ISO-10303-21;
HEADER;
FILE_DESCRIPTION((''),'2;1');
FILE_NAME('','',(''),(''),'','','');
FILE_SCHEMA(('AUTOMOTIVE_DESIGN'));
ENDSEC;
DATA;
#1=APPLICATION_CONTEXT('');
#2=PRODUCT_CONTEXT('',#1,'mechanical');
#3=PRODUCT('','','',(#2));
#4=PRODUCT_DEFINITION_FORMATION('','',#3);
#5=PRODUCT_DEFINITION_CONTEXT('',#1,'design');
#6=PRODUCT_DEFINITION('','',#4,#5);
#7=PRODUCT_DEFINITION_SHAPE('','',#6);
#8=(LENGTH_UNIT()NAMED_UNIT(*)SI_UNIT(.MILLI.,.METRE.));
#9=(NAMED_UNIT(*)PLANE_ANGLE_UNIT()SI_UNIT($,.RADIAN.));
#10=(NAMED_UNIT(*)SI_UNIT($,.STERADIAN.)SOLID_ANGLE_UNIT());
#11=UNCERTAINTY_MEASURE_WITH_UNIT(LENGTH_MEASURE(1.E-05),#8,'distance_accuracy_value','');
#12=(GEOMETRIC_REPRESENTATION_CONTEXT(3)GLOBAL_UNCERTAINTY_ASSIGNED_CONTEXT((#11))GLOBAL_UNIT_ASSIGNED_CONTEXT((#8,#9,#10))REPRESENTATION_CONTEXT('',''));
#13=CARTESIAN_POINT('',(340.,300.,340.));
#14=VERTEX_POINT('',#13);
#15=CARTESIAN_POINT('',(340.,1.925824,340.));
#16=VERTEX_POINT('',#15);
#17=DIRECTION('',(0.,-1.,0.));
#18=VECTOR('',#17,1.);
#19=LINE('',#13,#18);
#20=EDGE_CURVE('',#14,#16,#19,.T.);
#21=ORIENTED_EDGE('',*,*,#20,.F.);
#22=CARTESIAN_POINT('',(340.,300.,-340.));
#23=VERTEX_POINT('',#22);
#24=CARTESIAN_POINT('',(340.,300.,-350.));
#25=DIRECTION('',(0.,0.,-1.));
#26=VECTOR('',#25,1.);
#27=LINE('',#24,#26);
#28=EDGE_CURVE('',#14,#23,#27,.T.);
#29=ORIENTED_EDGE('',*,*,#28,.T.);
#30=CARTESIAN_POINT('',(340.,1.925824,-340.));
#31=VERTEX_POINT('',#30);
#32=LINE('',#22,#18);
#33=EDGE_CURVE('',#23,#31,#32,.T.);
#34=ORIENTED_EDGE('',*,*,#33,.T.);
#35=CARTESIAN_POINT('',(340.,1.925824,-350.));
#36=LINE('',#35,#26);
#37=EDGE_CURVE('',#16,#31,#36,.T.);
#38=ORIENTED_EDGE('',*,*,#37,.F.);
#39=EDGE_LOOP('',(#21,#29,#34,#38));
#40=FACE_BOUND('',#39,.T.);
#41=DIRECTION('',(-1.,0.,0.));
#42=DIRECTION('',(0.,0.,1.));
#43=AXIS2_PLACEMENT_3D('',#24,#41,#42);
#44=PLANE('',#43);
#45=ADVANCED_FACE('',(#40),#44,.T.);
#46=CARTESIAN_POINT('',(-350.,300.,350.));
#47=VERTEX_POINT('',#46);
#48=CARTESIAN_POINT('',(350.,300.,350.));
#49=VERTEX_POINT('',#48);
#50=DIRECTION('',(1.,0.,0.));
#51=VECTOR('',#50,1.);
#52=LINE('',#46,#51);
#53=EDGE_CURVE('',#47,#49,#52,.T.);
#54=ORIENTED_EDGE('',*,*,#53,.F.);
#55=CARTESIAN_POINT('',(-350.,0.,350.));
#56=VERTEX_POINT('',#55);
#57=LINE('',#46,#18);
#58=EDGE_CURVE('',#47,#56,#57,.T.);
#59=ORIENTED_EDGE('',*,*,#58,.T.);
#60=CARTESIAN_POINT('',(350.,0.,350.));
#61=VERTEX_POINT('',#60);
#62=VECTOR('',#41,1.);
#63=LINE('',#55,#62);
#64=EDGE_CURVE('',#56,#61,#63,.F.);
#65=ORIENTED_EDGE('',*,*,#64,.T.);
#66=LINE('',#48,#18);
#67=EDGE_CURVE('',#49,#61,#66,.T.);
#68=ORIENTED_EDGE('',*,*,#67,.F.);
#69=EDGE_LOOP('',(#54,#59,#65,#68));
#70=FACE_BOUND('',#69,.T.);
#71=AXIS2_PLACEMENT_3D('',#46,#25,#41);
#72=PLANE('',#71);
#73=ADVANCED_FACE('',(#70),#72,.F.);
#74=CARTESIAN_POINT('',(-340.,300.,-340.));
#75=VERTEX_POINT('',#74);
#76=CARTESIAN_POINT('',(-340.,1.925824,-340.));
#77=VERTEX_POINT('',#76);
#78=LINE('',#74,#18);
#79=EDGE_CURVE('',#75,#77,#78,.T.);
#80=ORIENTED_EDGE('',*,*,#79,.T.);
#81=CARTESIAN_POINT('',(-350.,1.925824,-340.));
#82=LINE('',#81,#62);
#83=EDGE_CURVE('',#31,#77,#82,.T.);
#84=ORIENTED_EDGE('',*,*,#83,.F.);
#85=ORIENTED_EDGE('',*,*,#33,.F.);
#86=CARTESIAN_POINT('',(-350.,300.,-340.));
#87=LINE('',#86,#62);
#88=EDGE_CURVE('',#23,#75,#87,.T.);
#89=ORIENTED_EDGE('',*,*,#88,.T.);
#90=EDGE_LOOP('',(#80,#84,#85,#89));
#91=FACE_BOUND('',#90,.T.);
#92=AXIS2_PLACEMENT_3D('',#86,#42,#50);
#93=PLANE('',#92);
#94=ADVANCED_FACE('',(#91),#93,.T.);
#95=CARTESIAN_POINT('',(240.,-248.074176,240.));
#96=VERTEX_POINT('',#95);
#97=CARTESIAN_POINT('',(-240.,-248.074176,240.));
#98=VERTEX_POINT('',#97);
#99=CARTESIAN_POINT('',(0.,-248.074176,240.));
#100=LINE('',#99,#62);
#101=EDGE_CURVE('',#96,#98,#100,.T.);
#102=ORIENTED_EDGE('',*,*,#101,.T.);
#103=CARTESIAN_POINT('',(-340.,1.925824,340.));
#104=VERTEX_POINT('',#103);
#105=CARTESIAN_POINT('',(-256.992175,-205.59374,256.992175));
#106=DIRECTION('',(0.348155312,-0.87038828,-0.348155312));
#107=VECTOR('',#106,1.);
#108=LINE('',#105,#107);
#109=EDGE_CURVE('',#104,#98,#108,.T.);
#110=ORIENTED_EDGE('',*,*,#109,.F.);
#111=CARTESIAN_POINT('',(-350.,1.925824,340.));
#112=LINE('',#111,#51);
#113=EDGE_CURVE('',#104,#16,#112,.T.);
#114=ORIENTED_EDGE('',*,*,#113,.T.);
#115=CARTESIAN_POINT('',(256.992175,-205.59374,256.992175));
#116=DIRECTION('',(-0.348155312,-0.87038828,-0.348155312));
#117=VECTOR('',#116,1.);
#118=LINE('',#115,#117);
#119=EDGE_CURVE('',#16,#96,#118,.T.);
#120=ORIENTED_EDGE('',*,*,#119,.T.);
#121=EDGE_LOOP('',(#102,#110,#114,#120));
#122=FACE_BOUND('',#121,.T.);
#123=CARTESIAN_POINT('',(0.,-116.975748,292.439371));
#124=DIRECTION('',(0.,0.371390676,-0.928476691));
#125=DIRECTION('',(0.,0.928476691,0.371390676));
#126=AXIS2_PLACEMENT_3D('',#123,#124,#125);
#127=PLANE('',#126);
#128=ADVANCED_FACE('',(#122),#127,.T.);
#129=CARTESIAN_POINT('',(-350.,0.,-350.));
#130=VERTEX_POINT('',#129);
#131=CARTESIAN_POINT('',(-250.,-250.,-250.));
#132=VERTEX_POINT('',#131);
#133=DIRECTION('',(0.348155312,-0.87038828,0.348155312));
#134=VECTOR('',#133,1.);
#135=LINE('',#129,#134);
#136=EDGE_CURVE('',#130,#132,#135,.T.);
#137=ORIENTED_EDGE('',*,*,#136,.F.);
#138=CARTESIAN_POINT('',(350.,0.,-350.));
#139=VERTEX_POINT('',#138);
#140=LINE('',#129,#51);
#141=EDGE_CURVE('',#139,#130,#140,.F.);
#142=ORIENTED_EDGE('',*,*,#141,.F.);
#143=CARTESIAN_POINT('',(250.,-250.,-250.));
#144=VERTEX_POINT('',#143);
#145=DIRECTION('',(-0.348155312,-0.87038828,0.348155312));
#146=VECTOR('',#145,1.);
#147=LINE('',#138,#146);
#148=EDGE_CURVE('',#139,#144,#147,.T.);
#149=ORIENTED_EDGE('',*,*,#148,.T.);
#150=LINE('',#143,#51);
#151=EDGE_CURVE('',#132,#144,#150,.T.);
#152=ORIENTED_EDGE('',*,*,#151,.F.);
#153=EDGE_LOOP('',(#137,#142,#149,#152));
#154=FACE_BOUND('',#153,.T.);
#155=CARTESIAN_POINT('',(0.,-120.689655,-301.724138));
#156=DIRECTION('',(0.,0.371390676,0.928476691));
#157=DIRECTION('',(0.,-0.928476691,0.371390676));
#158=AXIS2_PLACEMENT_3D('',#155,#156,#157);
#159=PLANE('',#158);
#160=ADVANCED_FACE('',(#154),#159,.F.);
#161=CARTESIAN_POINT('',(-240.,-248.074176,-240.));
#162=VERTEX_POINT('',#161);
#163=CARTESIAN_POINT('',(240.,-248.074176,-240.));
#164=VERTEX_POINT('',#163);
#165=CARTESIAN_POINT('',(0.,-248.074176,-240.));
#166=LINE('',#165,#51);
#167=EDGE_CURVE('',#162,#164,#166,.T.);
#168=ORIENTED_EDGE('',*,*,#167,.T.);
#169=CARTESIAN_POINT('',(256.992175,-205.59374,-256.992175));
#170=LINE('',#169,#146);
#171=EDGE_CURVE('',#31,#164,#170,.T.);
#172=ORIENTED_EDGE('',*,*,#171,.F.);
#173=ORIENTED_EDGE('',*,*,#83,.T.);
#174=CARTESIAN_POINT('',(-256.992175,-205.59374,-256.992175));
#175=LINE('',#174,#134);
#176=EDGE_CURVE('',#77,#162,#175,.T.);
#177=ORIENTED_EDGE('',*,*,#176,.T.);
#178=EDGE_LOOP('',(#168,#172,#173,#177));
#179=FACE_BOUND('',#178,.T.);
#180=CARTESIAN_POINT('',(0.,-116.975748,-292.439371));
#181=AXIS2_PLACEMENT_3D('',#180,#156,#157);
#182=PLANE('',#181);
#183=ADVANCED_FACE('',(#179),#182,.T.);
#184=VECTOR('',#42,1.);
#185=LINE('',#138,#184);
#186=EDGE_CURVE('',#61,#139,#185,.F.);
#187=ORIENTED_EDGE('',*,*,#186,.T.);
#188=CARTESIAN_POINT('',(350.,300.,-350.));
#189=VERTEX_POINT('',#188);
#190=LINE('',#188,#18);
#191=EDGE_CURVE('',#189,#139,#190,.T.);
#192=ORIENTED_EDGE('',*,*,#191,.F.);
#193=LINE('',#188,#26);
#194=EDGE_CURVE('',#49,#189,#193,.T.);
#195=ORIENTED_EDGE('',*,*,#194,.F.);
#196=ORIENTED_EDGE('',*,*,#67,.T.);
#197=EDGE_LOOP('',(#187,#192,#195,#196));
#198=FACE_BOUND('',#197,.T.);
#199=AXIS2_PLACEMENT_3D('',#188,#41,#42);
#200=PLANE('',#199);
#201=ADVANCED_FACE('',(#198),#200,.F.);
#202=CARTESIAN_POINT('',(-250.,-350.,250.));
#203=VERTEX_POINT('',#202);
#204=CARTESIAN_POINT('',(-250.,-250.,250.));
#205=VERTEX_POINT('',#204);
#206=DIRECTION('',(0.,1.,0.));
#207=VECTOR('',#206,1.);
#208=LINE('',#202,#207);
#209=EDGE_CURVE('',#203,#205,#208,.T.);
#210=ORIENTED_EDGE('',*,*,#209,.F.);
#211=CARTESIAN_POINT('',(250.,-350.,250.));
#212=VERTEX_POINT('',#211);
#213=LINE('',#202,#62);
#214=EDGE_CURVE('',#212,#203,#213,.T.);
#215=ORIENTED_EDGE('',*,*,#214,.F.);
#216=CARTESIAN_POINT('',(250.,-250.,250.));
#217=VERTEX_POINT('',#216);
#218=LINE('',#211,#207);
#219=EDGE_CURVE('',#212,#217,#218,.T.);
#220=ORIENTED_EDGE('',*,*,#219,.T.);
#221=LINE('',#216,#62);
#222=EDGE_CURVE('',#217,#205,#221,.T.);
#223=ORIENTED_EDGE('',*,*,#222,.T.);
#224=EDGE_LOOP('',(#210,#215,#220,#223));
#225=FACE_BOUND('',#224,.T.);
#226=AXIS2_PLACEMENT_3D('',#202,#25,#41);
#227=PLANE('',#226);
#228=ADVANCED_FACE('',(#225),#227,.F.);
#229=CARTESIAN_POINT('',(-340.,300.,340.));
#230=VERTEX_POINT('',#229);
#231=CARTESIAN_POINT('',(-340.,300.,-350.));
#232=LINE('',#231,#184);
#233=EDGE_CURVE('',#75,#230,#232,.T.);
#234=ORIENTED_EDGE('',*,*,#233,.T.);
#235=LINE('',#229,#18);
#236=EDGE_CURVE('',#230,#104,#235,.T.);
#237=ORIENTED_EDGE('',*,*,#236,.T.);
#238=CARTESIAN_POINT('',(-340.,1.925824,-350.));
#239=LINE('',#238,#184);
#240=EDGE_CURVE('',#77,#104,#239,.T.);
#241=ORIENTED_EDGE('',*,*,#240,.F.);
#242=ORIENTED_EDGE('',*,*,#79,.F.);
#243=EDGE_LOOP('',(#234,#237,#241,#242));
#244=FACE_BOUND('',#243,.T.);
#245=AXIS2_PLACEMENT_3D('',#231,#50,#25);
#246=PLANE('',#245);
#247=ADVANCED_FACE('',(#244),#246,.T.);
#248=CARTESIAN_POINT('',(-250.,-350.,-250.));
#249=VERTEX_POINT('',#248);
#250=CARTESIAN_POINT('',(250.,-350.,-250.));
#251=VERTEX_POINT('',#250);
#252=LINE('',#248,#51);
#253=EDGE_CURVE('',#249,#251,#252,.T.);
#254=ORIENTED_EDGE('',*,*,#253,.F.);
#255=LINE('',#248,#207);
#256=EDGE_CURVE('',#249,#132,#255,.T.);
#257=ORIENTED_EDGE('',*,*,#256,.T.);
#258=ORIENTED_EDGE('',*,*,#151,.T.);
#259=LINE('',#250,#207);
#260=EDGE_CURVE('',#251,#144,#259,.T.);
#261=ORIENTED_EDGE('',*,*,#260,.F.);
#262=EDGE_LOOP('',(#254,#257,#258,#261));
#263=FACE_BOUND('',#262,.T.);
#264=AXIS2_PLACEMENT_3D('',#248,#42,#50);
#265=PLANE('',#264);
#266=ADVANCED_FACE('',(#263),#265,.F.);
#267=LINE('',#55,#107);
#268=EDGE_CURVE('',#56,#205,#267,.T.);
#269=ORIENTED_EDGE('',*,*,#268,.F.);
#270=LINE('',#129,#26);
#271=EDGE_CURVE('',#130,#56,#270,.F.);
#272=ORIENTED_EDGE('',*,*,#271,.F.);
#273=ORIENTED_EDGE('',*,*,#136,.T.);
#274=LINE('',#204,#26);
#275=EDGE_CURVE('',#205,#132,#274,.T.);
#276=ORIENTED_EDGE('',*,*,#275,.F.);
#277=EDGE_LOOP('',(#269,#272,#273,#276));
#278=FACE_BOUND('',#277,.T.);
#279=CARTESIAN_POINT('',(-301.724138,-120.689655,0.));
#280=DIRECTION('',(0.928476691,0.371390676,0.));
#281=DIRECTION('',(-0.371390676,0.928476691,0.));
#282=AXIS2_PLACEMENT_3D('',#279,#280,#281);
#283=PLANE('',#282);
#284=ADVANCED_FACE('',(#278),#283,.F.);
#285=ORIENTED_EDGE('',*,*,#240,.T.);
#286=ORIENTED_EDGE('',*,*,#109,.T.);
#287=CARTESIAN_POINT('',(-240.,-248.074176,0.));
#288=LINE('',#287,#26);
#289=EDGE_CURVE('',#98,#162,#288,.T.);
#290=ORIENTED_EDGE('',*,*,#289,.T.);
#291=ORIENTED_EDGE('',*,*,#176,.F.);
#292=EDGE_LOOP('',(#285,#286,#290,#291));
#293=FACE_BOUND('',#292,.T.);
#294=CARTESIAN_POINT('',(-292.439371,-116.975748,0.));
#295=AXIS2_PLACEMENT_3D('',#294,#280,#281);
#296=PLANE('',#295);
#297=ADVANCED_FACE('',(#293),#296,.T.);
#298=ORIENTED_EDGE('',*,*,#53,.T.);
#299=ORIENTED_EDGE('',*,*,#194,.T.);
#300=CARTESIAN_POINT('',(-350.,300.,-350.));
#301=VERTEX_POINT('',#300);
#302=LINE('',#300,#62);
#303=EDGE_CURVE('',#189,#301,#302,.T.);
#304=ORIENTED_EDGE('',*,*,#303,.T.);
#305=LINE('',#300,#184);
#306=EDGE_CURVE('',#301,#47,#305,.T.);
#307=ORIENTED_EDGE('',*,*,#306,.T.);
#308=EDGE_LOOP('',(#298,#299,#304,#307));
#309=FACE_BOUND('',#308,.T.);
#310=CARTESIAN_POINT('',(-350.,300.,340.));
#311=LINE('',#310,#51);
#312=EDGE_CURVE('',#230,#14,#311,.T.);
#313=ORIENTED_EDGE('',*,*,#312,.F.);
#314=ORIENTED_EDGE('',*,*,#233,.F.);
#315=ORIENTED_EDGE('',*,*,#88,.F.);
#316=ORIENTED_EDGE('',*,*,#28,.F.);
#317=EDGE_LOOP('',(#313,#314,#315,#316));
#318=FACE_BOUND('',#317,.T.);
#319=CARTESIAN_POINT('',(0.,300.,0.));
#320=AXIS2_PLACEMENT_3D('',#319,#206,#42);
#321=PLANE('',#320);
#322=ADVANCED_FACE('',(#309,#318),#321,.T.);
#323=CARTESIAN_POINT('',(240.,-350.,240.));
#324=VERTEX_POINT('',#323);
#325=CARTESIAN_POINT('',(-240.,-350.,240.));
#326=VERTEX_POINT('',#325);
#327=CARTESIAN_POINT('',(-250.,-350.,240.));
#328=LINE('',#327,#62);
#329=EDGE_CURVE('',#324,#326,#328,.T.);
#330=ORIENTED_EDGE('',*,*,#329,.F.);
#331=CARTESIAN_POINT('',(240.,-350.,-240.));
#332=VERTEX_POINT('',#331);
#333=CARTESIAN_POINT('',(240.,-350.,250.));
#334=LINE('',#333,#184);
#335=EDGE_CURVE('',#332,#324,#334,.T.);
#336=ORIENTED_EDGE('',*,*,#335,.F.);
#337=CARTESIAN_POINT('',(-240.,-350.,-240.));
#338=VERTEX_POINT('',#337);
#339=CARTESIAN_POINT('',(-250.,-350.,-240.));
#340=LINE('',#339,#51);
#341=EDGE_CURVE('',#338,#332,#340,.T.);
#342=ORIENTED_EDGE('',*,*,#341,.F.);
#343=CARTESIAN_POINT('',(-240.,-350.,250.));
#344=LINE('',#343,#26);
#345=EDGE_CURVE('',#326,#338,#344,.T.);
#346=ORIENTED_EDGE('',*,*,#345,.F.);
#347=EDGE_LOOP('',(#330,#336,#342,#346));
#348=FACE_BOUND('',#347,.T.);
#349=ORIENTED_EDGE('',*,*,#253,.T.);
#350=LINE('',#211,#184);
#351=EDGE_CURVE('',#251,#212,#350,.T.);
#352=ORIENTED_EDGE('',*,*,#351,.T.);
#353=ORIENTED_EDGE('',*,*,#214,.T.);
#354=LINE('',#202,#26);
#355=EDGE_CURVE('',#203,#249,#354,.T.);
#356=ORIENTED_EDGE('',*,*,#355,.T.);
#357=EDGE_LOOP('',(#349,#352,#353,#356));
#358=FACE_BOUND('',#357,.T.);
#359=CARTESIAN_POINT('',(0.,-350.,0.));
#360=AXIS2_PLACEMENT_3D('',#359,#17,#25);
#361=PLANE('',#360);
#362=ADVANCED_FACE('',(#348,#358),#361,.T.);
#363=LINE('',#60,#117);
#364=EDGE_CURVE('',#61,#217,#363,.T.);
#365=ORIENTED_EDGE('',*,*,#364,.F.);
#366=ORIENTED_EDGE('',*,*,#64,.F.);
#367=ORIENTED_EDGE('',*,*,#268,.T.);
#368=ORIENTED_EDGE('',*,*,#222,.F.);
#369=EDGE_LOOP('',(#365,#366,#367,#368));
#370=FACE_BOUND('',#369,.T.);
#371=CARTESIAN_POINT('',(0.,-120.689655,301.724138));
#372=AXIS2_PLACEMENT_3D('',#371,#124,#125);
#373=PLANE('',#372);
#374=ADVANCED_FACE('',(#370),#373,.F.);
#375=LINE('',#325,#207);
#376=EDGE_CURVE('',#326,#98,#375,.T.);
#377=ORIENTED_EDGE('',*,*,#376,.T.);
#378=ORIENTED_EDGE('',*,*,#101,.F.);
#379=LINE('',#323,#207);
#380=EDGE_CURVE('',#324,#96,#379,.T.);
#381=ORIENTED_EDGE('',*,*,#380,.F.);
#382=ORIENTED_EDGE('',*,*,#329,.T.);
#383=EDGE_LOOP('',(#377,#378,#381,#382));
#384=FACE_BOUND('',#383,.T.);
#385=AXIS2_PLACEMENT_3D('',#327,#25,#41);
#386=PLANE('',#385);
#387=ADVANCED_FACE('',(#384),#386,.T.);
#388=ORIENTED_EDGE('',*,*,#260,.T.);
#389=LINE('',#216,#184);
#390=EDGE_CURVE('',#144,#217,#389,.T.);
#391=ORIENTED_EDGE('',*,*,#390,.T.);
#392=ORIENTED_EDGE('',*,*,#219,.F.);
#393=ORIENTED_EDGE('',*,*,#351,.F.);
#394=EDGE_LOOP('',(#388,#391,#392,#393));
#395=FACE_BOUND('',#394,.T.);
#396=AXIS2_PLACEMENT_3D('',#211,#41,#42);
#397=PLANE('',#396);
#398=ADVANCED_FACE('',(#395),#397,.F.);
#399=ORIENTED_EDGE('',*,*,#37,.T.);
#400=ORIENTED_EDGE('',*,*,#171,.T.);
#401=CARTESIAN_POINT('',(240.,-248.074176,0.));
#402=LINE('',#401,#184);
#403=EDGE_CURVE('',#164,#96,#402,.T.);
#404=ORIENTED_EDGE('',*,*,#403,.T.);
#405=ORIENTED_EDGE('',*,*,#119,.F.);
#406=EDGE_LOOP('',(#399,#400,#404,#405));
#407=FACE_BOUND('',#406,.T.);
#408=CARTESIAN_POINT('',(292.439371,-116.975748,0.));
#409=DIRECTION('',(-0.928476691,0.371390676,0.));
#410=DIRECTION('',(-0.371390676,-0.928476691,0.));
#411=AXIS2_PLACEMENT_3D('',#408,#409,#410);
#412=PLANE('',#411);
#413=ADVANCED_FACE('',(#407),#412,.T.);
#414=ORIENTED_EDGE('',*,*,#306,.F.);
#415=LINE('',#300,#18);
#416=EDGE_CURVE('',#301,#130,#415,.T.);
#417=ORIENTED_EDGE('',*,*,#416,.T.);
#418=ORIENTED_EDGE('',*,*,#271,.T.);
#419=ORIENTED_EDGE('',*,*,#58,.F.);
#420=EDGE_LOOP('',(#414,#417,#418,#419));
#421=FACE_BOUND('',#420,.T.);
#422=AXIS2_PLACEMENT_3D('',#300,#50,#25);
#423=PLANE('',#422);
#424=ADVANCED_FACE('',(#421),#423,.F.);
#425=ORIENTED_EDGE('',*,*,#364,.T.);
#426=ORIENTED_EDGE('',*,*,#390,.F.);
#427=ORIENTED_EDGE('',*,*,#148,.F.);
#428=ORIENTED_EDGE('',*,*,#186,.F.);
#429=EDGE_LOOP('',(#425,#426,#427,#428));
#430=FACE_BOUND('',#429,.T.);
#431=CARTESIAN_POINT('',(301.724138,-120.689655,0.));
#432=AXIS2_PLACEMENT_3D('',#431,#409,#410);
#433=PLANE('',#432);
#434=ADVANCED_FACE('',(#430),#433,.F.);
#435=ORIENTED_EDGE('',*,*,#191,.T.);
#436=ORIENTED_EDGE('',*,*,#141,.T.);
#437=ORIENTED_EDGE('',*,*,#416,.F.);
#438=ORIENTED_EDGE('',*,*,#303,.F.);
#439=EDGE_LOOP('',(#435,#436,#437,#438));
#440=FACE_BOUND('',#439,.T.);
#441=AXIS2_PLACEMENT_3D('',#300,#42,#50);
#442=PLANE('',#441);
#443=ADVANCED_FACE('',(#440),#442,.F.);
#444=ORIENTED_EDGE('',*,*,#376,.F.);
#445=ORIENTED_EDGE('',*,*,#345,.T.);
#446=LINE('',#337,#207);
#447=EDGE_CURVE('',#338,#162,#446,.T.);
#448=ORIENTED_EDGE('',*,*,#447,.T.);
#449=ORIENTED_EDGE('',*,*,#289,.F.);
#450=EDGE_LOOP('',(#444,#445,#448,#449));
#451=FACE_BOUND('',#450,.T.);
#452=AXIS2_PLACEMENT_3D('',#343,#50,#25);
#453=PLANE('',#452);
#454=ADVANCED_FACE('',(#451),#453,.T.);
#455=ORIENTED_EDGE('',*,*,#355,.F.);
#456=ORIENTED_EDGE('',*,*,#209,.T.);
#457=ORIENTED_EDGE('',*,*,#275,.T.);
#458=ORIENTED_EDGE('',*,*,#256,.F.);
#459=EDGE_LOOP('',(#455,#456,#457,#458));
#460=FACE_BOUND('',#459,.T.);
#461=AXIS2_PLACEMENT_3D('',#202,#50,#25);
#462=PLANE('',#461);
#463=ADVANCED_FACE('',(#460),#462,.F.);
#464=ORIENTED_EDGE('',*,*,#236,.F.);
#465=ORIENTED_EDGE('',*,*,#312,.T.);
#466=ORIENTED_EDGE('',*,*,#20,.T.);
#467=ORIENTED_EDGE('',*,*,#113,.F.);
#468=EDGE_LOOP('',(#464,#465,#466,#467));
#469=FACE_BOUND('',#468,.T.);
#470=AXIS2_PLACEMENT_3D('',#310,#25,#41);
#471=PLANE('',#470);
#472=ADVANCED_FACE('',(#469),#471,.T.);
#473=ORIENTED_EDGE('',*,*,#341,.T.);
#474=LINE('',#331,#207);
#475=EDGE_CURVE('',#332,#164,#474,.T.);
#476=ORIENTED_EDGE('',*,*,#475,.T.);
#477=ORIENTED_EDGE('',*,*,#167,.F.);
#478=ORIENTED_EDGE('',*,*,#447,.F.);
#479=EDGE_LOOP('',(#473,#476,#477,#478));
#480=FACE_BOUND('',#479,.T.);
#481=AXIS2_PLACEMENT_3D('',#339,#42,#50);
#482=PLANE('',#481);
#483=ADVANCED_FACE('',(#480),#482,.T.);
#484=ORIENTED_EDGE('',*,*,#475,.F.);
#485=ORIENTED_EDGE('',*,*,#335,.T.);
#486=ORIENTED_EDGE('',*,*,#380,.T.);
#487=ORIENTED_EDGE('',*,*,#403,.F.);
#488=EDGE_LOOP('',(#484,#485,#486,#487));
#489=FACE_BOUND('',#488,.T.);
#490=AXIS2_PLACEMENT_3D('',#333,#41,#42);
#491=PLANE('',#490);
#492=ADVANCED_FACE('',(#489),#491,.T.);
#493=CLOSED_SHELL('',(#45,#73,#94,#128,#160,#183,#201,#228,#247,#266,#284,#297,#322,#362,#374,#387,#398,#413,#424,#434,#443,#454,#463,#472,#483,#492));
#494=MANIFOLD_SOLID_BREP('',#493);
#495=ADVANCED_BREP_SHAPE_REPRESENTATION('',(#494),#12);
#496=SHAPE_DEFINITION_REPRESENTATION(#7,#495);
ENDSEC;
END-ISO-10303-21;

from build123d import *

# Parameters (mm, degrees)
SKETCH1_W           = 700
SKETCH1_H           = 700
BOSS_EXTRUDE1_DEPTH = 300
SKETCH2_W           = 500
SKETCH2_H           = 500
SKETCH3_W           = 500
SKETCH3_H           = 500
BOSS_EXTRUDE2_DEPTH = 100
SHELL1_T            = -10


with BuildPart() as part:
    # Sketch1 → Boss-Extrude1 (new body)
    with BuildSketch(Plane(origin=(0, 0, 0), x_dir=(1, 0, 0), z_dir=(0, 1, 0))):
        Rectangle(SKETCH1_W, SKETCH1_H)
    extrude(amount=BOSS_EXTRUDE1_DEPTH)

    # Sketch2 → section 1 of loft1
    with BuildSketch(Plane(origin=(0, -250, 0), x_dir=(-1, 0, 0), z_dir=(0, -1, 0)), mode=Mode.PRIVATE) as loft1_s1:
        Rectangle(SKETCH2_W, SKETCH2_H)
    # loft from a face of the part (loft1)
    loft([part.faces().sort_by_distance((0, 0, 0))[0], loft1_s1.sketch])

    # Sketch3 → Boss-Extrude2 (add)
    with BuildSketch(Plane.XZ.offset(250)):
        Rectangle(SKETCH3_W, SKETCH3_H)
    extrude(amount=BOSS_EXTRUDE2_DEPTH)

    # Shell1
    shell1_openings = [part.faces().sort_by_distance(p)[0] for p in [
        (0, 300, 0),
        (0, -350, 0),
    ]]
    offset(amount=SHELL1_T, openings=shell1_openings, kind=Kind.INTERSECTION)


solid = part.part
